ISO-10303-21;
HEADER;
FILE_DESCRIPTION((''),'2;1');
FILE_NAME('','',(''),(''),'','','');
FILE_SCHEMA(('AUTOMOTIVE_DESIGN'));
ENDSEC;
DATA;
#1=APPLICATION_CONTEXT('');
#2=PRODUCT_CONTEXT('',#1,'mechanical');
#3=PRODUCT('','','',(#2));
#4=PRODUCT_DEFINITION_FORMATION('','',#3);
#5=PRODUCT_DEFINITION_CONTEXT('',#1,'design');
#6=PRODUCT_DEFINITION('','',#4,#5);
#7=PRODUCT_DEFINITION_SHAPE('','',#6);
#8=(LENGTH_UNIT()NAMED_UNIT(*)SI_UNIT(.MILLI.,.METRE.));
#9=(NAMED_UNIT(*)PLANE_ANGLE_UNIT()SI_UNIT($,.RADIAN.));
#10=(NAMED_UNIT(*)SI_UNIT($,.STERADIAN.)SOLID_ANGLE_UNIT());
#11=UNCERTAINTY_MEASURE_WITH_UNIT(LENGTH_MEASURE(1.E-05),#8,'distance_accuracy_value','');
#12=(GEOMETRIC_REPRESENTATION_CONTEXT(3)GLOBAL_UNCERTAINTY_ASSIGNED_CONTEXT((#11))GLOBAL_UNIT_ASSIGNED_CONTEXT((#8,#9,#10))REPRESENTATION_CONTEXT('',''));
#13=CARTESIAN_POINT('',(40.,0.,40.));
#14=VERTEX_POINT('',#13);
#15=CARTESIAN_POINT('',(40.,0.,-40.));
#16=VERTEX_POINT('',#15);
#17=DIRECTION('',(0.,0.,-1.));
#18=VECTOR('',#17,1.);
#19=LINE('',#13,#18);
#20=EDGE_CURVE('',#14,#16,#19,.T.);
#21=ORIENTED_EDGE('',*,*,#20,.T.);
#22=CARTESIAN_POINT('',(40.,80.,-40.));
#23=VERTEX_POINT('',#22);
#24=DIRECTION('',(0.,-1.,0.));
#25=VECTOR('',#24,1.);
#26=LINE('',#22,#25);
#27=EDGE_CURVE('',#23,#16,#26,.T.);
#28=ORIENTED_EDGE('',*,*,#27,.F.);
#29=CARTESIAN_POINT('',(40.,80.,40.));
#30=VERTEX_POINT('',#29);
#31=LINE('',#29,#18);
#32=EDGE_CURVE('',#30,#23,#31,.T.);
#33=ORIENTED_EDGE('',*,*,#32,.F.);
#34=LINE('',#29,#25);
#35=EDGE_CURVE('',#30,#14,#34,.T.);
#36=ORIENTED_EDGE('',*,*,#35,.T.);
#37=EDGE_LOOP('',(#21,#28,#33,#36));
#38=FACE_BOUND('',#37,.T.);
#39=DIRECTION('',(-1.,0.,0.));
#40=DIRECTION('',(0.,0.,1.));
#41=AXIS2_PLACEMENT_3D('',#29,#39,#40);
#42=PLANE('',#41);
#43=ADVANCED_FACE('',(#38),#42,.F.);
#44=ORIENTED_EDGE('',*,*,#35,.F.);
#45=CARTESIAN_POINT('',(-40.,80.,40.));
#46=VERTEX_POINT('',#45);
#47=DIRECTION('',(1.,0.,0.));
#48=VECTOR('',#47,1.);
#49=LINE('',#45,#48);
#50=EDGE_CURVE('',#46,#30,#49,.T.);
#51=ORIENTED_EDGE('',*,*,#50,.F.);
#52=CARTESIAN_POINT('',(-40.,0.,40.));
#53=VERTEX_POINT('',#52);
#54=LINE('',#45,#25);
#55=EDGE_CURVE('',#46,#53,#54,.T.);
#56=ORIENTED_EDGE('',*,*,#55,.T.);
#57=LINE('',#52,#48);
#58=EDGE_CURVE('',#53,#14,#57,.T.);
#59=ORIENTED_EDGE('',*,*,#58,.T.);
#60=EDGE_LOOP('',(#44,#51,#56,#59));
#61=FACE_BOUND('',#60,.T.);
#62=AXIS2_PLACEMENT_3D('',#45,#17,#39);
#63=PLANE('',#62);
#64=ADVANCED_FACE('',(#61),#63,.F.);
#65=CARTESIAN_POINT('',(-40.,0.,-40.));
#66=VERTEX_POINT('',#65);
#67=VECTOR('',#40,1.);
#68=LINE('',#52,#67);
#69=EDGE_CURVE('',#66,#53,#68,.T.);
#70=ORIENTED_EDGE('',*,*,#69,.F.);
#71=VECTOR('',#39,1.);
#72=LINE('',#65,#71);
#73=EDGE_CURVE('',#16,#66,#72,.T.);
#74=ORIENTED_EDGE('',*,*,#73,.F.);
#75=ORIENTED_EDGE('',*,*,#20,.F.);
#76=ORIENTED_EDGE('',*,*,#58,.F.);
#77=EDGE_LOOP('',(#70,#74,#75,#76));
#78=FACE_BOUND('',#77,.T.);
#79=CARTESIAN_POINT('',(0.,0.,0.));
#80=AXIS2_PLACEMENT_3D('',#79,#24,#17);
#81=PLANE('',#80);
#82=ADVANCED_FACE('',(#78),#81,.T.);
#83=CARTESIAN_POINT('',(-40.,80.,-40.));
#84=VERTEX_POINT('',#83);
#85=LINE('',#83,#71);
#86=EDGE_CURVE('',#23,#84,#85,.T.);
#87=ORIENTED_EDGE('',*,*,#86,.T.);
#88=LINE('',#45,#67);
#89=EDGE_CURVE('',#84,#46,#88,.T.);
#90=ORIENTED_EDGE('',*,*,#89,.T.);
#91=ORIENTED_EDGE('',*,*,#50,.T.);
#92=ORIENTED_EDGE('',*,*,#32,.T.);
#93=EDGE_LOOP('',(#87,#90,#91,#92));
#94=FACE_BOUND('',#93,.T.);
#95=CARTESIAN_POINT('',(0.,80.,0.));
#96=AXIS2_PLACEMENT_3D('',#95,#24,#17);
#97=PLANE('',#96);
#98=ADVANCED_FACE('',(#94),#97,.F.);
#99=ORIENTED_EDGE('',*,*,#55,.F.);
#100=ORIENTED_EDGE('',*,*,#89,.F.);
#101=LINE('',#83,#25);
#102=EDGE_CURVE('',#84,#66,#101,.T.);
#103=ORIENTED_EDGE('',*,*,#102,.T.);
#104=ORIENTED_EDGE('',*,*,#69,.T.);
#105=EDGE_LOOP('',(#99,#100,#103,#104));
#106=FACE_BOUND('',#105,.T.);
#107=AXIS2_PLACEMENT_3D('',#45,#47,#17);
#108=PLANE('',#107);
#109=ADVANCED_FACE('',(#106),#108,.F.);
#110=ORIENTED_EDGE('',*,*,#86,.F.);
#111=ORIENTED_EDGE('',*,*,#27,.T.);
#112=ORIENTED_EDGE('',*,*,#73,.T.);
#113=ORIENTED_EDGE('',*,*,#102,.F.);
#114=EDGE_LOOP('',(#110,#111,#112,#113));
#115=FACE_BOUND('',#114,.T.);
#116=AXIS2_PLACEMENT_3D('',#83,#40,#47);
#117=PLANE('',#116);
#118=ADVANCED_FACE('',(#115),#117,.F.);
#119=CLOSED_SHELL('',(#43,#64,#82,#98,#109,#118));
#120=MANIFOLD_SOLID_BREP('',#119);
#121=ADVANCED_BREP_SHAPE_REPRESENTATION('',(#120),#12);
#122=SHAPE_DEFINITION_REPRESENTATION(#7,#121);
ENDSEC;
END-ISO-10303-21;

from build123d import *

# Parameters (mm, degrees)
SKETCH1_W           = 80
SKETCH1_H           = 80
BOSS_EXTRUDE1_DEPTH = 80


with BuildPart() as part:
    # Sketch1 → Boss-Extrude1 (new body)
    with BuildSketch(Plane(origin=(0, 0, 0), x_dir=(1, 0, 0), z_dir=(0, 1, 0))):
        Rectangle(SKETCH1_W, SKETCH1_H)
    extrude(amount=BOSS_EXTRUDE1_DEPTH)


solid = part.part
